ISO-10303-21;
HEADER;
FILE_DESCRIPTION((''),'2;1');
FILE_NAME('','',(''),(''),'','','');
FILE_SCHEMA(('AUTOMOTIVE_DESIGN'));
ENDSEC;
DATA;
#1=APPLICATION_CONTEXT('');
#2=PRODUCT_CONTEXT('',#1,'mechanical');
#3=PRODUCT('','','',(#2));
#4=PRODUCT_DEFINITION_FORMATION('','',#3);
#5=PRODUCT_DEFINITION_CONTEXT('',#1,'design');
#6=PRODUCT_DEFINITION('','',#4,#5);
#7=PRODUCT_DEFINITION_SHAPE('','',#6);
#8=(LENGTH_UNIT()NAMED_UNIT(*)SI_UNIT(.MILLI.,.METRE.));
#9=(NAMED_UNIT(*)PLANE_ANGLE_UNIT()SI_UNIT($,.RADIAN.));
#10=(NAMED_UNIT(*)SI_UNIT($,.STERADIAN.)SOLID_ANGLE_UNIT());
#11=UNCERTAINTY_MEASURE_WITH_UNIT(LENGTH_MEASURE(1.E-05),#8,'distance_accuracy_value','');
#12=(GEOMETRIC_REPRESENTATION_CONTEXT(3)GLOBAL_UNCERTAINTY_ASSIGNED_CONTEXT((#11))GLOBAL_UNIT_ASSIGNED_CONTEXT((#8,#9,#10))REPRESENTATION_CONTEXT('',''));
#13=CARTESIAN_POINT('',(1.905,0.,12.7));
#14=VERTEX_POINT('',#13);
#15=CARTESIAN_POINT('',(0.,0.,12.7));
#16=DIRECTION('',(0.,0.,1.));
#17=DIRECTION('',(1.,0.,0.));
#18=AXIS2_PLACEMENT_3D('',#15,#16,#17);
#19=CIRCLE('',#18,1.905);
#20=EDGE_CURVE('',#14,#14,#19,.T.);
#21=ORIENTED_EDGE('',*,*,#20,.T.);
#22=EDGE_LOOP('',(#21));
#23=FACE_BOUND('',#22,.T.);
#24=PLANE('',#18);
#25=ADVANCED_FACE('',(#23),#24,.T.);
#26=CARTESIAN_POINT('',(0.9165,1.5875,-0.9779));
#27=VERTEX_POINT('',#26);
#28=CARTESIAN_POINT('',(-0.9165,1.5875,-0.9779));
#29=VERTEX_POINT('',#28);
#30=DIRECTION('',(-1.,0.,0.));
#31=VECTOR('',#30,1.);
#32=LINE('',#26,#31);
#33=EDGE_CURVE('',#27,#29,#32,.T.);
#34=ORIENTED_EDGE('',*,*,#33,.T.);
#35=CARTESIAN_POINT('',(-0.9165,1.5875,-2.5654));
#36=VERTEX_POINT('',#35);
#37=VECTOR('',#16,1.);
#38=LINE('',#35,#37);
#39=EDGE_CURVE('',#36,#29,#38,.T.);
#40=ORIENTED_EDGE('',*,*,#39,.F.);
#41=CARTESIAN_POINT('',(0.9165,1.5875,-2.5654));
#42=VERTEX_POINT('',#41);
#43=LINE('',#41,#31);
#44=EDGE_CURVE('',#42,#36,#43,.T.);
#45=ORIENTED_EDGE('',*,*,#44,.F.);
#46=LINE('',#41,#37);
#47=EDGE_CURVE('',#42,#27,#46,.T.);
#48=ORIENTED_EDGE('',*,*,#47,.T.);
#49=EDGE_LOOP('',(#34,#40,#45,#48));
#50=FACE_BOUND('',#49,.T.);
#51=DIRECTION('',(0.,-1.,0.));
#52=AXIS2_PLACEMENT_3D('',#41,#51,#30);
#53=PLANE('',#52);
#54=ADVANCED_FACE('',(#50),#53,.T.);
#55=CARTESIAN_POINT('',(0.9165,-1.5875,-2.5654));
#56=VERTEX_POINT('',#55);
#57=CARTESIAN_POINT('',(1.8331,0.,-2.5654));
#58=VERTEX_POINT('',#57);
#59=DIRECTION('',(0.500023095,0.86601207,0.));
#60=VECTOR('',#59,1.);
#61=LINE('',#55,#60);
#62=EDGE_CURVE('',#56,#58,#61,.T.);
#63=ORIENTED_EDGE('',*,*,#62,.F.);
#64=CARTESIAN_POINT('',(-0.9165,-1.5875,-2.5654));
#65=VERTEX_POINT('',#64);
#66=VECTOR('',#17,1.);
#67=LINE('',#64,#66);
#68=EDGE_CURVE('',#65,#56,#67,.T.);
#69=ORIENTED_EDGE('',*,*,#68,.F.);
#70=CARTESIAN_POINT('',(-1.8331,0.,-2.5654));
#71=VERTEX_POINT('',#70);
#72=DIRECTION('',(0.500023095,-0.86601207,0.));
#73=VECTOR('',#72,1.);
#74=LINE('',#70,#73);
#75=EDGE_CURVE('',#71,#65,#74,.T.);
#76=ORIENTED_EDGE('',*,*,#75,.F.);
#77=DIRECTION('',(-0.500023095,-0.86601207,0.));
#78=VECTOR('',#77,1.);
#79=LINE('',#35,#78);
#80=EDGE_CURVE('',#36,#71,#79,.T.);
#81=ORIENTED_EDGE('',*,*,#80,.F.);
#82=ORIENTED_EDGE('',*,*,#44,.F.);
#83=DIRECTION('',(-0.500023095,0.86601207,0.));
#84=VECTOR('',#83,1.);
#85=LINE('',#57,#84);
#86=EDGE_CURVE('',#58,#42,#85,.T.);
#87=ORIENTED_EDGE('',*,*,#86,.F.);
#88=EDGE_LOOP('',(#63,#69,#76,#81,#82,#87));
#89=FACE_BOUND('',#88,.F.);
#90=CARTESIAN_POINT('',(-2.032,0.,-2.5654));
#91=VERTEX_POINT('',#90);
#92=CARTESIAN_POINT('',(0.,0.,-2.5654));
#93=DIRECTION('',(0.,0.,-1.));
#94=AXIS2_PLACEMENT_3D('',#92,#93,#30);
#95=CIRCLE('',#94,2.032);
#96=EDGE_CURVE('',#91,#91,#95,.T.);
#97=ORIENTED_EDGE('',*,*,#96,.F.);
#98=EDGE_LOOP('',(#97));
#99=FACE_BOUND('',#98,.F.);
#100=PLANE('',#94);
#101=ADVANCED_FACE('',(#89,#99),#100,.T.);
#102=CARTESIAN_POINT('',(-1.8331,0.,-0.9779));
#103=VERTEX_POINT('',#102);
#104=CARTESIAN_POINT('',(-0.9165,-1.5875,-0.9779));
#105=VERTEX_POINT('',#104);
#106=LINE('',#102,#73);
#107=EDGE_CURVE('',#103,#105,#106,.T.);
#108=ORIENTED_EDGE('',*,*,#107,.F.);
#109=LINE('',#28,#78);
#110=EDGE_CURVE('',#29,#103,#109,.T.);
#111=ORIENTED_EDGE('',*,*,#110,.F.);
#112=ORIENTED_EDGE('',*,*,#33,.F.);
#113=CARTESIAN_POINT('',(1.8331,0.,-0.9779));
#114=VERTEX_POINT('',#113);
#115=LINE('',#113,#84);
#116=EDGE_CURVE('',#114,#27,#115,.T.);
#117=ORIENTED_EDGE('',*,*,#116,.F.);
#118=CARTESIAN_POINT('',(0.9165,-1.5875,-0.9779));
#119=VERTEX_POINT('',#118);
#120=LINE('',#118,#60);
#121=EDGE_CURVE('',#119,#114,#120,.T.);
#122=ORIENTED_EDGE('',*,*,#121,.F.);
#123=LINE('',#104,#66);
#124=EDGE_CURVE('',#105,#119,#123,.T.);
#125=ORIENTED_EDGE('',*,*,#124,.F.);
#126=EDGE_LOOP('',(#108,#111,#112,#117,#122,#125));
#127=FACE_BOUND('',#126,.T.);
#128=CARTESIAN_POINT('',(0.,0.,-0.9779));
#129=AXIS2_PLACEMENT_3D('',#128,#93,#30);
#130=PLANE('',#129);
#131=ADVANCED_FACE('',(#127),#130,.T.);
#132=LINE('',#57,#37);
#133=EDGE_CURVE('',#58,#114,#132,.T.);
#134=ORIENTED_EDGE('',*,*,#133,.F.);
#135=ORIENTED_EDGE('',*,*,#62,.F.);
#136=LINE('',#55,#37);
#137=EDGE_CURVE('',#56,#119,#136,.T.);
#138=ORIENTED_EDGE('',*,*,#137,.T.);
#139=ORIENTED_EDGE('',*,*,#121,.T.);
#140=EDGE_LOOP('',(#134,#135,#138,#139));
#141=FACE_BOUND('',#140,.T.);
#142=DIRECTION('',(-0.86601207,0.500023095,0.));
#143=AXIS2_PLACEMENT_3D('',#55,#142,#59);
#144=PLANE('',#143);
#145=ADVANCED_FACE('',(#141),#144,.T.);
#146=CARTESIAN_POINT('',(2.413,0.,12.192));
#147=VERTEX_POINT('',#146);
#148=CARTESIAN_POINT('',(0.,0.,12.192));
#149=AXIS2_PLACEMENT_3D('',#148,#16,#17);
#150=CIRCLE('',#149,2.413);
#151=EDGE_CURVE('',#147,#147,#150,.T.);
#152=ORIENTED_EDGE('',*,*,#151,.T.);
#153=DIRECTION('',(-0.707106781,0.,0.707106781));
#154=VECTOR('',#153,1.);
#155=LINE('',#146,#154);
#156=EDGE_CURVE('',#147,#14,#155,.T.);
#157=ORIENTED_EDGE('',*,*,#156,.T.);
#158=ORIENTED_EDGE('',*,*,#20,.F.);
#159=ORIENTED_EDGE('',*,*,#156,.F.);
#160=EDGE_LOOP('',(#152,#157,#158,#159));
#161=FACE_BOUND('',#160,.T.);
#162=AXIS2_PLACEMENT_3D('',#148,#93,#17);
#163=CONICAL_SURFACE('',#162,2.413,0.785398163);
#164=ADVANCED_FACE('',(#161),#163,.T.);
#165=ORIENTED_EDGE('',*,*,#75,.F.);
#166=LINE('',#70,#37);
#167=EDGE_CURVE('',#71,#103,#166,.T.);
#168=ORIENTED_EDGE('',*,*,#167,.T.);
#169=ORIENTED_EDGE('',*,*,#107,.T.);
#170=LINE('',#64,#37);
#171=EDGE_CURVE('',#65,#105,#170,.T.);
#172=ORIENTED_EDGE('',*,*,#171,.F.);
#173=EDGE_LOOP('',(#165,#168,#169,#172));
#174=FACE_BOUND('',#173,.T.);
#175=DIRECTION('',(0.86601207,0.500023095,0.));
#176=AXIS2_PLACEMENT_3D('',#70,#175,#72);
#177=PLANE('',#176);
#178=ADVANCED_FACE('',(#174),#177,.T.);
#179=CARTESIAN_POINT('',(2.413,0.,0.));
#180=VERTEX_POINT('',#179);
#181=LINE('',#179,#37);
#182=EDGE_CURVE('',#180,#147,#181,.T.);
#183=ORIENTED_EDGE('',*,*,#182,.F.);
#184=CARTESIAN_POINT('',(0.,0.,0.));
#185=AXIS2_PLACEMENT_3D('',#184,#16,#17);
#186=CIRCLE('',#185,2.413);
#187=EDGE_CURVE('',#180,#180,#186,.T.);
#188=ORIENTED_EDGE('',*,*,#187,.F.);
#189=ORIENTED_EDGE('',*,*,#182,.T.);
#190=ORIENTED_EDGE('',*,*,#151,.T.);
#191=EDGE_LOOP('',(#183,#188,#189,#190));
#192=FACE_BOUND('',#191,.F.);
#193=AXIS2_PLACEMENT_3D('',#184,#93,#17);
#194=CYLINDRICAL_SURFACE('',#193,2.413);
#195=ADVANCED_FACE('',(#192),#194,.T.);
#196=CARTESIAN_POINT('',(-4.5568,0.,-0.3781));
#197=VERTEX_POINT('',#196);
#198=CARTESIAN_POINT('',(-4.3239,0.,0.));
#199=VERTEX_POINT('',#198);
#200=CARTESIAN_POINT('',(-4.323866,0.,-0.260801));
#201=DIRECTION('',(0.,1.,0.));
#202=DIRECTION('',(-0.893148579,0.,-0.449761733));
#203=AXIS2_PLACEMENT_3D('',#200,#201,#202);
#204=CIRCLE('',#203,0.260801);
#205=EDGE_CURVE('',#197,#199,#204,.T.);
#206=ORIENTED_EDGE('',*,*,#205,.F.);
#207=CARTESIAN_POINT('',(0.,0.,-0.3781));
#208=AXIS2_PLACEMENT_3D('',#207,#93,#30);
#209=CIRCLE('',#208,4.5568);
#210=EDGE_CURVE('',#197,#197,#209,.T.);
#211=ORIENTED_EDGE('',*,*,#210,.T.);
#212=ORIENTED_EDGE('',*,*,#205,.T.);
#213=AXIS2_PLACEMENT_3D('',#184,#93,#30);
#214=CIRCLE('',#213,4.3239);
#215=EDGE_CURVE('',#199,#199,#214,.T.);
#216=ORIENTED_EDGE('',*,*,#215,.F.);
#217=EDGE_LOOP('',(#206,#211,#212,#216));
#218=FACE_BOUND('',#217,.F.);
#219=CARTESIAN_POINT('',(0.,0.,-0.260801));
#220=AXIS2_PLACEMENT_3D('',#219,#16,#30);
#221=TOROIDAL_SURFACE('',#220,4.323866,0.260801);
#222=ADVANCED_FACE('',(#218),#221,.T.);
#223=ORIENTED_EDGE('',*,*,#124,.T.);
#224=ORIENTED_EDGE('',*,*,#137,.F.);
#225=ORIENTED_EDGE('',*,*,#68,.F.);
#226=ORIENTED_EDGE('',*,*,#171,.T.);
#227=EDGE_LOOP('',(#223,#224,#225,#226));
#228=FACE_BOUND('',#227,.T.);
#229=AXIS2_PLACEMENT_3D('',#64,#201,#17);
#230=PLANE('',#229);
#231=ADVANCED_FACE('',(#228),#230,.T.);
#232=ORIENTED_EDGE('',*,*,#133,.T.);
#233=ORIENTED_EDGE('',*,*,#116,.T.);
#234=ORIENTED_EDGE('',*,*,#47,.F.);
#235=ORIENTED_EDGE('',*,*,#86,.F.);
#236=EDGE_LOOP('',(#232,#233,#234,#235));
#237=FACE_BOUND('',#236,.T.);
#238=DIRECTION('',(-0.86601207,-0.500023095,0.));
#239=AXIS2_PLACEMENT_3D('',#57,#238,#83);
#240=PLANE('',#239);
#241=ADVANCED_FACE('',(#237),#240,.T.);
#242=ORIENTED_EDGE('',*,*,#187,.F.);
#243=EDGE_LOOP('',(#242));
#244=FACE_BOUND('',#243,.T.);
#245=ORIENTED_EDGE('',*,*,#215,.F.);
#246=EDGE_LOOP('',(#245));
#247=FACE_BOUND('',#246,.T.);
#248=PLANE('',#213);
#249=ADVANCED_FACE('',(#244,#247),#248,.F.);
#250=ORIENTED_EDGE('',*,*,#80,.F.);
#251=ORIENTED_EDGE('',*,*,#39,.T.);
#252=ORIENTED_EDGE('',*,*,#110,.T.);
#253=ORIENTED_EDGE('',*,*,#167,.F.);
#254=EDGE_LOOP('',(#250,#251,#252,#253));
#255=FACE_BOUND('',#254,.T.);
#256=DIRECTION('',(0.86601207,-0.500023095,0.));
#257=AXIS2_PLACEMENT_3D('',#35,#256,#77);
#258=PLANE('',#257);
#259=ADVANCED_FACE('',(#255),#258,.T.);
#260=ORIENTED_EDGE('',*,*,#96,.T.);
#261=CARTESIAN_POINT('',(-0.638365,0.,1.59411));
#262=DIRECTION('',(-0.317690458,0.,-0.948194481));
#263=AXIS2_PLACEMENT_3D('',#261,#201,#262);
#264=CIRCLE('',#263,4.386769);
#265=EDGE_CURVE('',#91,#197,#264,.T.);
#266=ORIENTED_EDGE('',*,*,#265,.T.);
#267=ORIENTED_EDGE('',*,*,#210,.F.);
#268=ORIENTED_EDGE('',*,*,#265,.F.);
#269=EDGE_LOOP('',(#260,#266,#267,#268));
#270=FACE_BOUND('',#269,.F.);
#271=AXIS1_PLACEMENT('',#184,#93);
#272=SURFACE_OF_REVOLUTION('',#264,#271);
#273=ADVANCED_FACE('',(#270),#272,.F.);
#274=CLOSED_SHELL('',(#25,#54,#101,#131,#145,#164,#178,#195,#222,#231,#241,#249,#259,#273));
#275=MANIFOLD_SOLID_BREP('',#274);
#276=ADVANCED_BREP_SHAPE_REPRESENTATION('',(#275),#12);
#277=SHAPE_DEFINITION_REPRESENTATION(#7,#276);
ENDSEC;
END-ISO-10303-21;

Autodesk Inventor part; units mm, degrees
ref_plane "YZ Plane" through (0, 0, 0) normal (1, 0, 0) x (0, 1, 0)
ref_plane "XZ Plane" through (0, 0, 0) normal (0, 1, 0) x (-1, 0, 0)
ref_plane "XY Plane" through (0, 0, 0) normal (0, 0, 1) x (1, 0, 0)
sketch "Sketch1" plane through (0, 0, 0) normal (0, 0, 1) x (1, 0, 0)
  circle A0 centre (0, 0) radius 2.413
  dimension "d0" = 4.826
extrude "Extrusion1" add sketch "Sketch1" along normal blind 12.7
sketch "Sketch2" plane through (0, 0, 0) normal (0, 1, 0) x (-1, 0, 0)
  line L0 (0, 0) -> (0, -2.5654)
  line L1 (0, 0) -> (4.3239, 0)
  line L2 (0, -2.5654) -> (2.032, -2.5654)
  line L3 (4.3239, 0) -> (4.3239, 3.8864) construction
  arc A0 (4.5568, -0.3781) -> (4.3239, 0) centre (4.3239, -0.2608) ccw
  arc A1 (2.032, -2.5654) -> (4.5568, -0.3781) centre (0.6382, 1.5944) ccw
  line L4 (4.5847, 0.6553) -> (4.5847, -0.2608) construction
  dimension "d3" = 2.5654
  dimension "d6" = 2.032
  dimension "d12" = 4.5847
revolve "Revolution1" add sketch "Sketch2" angle 360 about axis through (0, 0, 0) along (0, 0, -1)
sketch "Sketch3" plane through (0, 0, -2.5654) normal (0, 0, -1) x (-1, 0, 0)
  circle A0 centre (0, 0) radius 2.032 projected
  line L0 (-0.9165, 1.5875) -> (0.9165, 1.5875)
  line L1 (0.9165, 1.5875) -> (1.8331, 0)
  line L2 (1.8331, 0) -> (0.9165, -1.5875)
  line L3 (0.9165, -1.5875) -> (-0.9165, -1.5875)
  line L4 (-0.9165, -1.5875) -> (-1.8331, 0)
  line L5 (-1.8331, 0) -> (-0.9165, 1.5875)
  dimension "d8" = 3.175
extrude "Extrusion2" cut sketch "Sketch3" against normal blind 1.5875 contours L0 L1 L2 L3 L4 L5
chamfer "Chamfer1" distance 0.508 angle 45 1 edges at (-2.413, 0, 12.7)
thread "Thread1" size "10-32 UNF" class "2A" standard "ANSI Unified Screw Threads" full length
properties part number "10-32 x500 button head" material "Steel"
